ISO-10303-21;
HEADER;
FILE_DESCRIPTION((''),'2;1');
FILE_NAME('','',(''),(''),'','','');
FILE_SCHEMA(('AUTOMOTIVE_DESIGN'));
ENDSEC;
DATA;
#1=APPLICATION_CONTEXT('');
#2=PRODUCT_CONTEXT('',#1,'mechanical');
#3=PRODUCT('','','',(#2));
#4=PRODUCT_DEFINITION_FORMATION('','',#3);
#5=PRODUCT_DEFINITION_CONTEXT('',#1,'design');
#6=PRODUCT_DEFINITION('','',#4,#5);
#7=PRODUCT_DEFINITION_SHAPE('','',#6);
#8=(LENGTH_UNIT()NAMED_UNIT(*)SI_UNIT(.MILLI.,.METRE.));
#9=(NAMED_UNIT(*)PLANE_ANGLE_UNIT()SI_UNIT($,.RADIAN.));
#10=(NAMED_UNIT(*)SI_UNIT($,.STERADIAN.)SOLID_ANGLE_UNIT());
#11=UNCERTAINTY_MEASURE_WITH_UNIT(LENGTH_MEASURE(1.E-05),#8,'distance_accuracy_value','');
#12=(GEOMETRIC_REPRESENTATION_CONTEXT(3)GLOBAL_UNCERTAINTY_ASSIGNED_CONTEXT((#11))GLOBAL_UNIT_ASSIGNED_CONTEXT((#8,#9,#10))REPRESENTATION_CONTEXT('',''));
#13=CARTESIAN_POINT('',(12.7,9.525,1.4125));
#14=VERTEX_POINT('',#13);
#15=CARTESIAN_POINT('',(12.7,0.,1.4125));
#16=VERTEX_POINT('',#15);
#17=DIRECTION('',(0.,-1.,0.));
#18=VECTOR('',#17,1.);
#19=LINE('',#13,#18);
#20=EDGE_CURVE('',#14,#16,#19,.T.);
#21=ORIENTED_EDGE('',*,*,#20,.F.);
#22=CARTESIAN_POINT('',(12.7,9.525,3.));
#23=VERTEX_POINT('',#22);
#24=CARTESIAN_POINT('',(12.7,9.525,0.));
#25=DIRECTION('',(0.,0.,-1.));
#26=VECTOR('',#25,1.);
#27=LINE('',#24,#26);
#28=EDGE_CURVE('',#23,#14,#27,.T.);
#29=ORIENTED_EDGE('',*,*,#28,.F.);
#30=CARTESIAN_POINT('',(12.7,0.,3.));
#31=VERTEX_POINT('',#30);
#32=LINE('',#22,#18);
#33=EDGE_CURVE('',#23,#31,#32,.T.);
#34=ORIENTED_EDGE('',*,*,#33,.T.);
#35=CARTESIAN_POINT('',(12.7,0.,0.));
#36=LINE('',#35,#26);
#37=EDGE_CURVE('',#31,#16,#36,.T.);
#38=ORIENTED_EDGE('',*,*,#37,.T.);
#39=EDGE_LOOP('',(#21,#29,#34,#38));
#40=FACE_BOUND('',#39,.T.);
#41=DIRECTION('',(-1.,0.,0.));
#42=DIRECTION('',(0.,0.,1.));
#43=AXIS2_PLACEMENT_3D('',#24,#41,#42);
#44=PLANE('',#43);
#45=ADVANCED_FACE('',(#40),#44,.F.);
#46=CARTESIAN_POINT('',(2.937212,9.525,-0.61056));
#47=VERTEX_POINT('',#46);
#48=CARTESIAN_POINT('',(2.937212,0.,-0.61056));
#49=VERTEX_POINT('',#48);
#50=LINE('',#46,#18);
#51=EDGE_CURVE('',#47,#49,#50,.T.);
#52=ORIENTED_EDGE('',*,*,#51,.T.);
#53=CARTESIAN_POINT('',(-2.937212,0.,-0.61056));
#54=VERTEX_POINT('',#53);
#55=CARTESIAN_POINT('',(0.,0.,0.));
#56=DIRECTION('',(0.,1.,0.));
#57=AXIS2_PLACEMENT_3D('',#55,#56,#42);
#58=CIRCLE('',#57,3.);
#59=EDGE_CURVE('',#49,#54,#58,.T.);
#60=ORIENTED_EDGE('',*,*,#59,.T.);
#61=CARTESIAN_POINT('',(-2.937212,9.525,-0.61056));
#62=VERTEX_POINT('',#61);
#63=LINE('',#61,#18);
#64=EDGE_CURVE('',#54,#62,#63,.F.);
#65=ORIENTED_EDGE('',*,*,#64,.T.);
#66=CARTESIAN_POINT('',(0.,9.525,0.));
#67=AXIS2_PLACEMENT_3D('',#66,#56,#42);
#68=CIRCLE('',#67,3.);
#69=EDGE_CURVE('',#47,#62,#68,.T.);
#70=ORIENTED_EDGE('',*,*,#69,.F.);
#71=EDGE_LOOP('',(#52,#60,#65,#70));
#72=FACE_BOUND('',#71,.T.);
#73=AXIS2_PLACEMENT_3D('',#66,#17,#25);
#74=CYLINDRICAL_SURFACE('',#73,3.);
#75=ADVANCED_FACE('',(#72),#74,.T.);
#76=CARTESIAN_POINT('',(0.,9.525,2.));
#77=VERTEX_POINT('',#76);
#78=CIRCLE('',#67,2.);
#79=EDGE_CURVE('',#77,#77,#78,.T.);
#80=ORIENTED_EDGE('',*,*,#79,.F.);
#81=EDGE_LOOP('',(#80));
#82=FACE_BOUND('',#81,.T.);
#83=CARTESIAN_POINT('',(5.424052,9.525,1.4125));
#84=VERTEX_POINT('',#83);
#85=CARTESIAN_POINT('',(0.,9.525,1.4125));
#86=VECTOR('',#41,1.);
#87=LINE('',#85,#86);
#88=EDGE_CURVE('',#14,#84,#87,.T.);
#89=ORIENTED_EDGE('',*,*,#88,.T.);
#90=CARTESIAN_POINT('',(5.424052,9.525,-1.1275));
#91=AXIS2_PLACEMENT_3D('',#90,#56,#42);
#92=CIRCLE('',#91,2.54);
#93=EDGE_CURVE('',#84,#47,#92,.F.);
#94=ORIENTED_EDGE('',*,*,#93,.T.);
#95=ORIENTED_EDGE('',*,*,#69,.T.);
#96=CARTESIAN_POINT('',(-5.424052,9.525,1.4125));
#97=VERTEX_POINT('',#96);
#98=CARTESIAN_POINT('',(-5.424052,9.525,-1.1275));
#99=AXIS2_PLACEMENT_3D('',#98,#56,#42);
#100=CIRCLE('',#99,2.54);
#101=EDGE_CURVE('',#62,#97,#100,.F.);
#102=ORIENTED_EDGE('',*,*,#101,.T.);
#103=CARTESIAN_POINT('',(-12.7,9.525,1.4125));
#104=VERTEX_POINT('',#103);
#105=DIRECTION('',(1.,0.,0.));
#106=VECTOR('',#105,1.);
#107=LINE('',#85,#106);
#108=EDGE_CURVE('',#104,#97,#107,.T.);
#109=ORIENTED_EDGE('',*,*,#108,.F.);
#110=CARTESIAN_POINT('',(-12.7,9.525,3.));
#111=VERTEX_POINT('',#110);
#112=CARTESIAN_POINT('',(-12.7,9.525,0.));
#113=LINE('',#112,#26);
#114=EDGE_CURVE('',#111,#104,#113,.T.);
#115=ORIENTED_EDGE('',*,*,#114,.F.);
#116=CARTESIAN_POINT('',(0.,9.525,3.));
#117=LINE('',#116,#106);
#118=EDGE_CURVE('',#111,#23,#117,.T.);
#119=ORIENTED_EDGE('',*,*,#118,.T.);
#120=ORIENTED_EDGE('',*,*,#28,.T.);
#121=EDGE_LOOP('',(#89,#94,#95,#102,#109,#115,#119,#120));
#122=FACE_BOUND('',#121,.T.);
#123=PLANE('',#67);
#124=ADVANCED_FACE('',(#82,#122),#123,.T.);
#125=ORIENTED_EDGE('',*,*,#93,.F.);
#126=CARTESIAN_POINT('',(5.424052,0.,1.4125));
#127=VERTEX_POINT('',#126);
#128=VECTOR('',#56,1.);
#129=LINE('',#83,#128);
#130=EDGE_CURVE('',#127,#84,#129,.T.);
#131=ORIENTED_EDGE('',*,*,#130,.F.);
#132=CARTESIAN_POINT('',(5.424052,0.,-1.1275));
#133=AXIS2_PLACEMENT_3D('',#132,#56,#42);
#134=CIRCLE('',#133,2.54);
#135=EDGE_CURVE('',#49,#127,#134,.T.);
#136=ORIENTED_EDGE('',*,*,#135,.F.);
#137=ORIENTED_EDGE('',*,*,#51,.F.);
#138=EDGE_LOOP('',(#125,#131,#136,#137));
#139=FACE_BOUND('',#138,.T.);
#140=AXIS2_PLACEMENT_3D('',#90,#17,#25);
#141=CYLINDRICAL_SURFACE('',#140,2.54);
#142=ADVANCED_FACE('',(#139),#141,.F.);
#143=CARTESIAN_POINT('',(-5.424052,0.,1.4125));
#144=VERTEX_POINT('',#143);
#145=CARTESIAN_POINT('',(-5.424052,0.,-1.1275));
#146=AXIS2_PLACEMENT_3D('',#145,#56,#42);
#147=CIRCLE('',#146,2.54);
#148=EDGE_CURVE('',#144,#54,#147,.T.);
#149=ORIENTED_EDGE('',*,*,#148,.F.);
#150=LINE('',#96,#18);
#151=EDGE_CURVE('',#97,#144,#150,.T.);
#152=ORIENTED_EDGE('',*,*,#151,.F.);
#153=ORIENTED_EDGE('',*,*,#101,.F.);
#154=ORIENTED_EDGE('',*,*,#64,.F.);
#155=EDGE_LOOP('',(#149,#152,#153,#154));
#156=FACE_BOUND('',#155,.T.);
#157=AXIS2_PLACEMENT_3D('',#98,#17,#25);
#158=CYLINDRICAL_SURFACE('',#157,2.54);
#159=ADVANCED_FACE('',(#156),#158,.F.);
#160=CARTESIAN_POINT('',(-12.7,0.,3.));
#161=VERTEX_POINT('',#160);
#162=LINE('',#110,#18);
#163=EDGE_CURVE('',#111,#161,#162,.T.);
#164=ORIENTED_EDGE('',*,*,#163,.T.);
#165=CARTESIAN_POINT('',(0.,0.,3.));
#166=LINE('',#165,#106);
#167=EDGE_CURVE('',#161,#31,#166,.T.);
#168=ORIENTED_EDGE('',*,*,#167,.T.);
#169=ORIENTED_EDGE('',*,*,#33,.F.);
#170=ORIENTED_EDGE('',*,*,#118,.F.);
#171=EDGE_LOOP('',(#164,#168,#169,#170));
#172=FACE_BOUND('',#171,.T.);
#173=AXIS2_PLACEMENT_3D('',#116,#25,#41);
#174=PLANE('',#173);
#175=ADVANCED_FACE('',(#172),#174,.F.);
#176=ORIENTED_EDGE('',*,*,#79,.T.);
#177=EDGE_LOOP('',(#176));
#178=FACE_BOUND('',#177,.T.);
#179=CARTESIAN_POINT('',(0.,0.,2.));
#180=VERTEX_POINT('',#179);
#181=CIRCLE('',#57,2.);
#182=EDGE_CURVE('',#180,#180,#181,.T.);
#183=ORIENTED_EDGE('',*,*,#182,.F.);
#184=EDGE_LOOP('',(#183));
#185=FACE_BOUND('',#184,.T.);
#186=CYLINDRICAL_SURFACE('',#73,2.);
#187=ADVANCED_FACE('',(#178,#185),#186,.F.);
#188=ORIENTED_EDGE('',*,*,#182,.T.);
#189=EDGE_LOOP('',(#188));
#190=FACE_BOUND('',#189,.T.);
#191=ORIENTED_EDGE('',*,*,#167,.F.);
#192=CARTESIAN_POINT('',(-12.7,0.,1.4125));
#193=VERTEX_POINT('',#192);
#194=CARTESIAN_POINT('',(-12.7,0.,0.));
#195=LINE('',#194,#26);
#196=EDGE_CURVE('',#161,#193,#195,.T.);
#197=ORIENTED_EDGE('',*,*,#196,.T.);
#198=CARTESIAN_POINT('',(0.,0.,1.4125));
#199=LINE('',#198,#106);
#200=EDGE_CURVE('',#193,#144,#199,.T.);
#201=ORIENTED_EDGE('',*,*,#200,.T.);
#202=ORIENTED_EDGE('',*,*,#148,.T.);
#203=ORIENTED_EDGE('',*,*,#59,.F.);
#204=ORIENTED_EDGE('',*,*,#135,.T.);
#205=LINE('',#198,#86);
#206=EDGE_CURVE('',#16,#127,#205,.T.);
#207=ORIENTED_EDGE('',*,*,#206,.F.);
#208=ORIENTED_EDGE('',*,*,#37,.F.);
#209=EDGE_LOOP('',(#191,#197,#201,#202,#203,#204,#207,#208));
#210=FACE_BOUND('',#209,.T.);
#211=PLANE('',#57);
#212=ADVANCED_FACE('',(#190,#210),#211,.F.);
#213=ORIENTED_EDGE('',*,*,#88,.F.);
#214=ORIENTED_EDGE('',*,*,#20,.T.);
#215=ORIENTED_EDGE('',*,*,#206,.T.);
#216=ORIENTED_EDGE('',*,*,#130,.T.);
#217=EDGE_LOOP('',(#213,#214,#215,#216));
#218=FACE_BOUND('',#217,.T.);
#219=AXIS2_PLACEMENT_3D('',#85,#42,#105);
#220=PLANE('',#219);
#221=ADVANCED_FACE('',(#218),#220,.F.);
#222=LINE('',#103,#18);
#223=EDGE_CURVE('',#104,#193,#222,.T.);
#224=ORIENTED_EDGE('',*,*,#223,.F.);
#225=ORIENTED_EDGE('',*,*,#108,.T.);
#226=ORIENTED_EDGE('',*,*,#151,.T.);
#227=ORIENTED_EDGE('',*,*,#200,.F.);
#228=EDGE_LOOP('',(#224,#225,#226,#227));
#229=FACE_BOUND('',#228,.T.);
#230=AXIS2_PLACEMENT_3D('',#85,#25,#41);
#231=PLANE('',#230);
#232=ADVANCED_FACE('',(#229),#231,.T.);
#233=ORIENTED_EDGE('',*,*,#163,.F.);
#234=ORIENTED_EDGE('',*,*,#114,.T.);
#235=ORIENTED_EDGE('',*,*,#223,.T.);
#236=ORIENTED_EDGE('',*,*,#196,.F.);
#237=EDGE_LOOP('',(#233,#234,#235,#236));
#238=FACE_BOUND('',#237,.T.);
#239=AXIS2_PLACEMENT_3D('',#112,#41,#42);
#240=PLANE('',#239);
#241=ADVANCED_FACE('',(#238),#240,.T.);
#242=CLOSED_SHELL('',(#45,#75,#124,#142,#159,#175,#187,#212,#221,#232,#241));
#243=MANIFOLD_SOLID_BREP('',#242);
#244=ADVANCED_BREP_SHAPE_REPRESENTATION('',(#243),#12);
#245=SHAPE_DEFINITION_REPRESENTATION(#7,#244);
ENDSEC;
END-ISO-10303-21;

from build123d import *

# Parameters (mm, degrees)
SKETCH1_R           = 2
BOSS_EXTRUDE1_DEPTH = 9.525
FILLET1_R           = 2.54


with BuildPart() as part:
    # Sketch1 → Boss-Extrude1 (new body)
    with BuildSketch(Plane(origin=(0, 0, 0), x_dir=(1, 0, 0), z_dir=(0, 1, 0))):
        with BuildLine():
            Line((-12.7, -1.4125), (-12.7, -3))
            Line((-12.7, -3), (12.7, -3))
            Line((12.7, -3), (12.7, -1.4125))
            Line((12.7, -1.4125), (2.646666535, -1.4125))
            ThreePointArc((2.646666535, -1.4125), (0, 3), (-2.646666535, -1.4125))
            Line((-2.646666535, -1.4125), (-12.7, -1.4125))
        make_face()
        Circle(SKETCH1_R, mode=Mode.SUBTRACT)
    extrude(amount=BOSS_EXTRUDE1_DEPTH)

    # Fillet1
    fillet1_edges = [part.edges().sort_by_distance(p)[0] for p in [
        (-2.646666535, 4.7625, 1.4125),
        (2.646666535, 4.7625, 1.4125),
    ]]
    fillet(fillet1_edges, radius=FILLET1_R)


solid = part.part
